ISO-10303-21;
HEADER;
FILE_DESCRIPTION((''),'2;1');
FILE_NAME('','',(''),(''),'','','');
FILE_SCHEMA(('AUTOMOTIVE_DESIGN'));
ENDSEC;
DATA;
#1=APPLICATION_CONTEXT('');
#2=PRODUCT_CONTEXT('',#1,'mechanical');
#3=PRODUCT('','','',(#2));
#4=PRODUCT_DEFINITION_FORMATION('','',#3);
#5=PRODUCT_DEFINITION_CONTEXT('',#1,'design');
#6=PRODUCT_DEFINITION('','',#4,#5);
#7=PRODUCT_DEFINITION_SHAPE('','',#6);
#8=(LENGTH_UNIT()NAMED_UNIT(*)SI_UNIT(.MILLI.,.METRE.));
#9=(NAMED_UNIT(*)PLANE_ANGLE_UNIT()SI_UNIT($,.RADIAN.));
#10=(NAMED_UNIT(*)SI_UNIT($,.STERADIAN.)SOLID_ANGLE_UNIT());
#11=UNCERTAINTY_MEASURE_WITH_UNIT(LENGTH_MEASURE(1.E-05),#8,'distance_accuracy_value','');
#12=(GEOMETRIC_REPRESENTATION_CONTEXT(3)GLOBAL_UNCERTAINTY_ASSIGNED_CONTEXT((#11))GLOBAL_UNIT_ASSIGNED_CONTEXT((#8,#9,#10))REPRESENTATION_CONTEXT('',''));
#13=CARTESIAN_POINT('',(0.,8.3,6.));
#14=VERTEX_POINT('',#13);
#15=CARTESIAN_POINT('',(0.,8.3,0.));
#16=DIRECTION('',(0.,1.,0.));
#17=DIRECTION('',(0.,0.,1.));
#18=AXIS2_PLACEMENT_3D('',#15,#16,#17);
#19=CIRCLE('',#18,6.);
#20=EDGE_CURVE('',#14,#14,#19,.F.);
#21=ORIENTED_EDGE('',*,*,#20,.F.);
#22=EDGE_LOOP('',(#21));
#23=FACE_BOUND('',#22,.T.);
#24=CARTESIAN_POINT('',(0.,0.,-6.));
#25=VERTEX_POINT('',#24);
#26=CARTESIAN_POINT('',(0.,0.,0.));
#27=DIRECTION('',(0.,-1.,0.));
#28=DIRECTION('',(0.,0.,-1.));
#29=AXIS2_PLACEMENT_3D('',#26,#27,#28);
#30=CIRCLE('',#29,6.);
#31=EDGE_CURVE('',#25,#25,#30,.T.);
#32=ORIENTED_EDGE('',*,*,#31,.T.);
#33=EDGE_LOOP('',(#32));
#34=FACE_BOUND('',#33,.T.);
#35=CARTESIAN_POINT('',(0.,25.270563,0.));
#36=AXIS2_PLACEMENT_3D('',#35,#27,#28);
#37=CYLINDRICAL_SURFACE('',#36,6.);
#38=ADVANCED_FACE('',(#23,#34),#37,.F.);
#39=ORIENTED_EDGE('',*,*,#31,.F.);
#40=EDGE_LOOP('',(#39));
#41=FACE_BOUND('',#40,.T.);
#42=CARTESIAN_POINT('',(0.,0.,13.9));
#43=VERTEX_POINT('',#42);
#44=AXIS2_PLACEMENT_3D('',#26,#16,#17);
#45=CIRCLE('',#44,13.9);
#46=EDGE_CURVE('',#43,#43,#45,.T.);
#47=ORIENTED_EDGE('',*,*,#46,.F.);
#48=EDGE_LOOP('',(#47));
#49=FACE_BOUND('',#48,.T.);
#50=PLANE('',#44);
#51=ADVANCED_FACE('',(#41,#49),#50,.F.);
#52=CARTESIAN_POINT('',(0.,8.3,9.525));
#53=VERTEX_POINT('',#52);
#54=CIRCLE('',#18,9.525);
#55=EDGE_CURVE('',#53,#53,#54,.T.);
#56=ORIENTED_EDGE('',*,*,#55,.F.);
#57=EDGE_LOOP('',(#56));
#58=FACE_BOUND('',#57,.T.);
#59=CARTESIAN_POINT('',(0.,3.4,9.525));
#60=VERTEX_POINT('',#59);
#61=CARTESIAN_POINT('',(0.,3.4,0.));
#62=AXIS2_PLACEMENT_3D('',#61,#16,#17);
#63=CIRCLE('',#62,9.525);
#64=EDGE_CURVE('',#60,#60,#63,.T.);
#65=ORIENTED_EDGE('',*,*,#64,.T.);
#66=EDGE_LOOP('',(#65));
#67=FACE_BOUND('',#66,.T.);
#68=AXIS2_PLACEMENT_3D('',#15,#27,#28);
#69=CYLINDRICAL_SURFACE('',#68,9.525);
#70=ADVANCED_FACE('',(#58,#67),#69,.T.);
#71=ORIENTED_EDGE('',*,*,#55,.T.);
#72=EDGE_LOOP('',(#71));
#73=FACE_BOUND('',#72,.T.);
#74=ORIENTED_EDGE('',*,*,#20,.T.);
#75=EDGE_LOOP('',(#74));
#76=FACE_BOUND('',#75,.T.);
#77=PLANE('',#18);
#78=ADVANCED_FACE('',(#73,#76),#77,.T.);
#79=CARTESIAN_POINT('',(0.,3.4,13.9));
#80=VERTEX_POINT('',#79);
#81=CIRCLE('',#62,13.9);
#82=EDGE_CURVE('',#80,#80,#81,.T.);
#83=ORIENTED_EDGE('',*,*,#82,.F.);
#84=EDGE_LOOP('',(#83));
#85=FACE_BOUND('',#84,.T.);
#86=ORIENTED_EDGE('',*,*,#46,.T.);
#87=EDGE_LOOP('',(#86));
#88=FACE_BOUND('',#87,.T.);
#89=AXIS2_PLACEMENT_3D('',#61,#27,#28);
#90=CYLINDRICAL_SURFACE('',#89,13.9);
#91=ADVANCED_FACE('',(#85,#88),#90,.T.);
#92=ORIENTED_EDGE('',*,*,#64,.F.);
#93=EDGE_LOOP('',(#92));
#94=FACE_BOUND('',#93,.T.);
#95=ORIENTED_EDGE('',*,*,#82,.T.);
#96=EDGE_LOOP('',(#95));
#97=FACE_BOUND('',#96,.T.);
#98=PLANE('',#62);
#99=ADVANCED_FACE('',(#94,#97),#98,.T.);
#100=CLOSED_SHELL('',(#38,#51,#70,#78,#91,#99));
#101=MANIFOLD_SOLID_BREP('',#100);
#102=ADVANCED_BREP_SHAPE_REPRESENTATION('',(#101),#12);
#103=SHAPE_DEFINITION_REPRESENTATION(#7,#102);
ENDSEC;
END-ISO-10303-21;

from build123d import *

# Parameters (mm, degrees)
SKETCH1_R           = 13.9
BOSS_EXTRUDE1_DEPTH = 3.4
SKETCH2_R           = 9.525
BOSS_EXTRUDE2_DEPTH = 4.9
SKETCH3_R           = 6
CUT_EXTRUDE1_DEPTH  = 8.3


with BuildPart() as part:
    # Sketch1 → Boss-Extrude1 (new body)
    with BuildSketch(Plane(origin=(0, 0, 0), x_dir=(1, 0, 0), z_dir=(0, 1, 0))):
        Circle(SKETCH1_R)
    extrude(amount=BOSS_EXTRUDE1_DEPTH)

    # Sketch2 → Boss-Extrude2 (add)
    with BuildSketch(Plane(origin=(0, 3.4, 0), x_dir=(1, 0, 0), z_dir=(0, 1, 0))):
        Circle(SKETCH2_R)
    extrude(amount=BOSS_EXTRUDE2_DEPTH)

    # Sketch3 → Cut-Extrude1 (cut)
    with BuildSketch(Plane.XZ):
        Circle(SKETCH3_R)
    extrude(amount=-CUT_EXTRUDE1_DEPTH, mode=Mode.SUBTRACT)


solid = part.part
